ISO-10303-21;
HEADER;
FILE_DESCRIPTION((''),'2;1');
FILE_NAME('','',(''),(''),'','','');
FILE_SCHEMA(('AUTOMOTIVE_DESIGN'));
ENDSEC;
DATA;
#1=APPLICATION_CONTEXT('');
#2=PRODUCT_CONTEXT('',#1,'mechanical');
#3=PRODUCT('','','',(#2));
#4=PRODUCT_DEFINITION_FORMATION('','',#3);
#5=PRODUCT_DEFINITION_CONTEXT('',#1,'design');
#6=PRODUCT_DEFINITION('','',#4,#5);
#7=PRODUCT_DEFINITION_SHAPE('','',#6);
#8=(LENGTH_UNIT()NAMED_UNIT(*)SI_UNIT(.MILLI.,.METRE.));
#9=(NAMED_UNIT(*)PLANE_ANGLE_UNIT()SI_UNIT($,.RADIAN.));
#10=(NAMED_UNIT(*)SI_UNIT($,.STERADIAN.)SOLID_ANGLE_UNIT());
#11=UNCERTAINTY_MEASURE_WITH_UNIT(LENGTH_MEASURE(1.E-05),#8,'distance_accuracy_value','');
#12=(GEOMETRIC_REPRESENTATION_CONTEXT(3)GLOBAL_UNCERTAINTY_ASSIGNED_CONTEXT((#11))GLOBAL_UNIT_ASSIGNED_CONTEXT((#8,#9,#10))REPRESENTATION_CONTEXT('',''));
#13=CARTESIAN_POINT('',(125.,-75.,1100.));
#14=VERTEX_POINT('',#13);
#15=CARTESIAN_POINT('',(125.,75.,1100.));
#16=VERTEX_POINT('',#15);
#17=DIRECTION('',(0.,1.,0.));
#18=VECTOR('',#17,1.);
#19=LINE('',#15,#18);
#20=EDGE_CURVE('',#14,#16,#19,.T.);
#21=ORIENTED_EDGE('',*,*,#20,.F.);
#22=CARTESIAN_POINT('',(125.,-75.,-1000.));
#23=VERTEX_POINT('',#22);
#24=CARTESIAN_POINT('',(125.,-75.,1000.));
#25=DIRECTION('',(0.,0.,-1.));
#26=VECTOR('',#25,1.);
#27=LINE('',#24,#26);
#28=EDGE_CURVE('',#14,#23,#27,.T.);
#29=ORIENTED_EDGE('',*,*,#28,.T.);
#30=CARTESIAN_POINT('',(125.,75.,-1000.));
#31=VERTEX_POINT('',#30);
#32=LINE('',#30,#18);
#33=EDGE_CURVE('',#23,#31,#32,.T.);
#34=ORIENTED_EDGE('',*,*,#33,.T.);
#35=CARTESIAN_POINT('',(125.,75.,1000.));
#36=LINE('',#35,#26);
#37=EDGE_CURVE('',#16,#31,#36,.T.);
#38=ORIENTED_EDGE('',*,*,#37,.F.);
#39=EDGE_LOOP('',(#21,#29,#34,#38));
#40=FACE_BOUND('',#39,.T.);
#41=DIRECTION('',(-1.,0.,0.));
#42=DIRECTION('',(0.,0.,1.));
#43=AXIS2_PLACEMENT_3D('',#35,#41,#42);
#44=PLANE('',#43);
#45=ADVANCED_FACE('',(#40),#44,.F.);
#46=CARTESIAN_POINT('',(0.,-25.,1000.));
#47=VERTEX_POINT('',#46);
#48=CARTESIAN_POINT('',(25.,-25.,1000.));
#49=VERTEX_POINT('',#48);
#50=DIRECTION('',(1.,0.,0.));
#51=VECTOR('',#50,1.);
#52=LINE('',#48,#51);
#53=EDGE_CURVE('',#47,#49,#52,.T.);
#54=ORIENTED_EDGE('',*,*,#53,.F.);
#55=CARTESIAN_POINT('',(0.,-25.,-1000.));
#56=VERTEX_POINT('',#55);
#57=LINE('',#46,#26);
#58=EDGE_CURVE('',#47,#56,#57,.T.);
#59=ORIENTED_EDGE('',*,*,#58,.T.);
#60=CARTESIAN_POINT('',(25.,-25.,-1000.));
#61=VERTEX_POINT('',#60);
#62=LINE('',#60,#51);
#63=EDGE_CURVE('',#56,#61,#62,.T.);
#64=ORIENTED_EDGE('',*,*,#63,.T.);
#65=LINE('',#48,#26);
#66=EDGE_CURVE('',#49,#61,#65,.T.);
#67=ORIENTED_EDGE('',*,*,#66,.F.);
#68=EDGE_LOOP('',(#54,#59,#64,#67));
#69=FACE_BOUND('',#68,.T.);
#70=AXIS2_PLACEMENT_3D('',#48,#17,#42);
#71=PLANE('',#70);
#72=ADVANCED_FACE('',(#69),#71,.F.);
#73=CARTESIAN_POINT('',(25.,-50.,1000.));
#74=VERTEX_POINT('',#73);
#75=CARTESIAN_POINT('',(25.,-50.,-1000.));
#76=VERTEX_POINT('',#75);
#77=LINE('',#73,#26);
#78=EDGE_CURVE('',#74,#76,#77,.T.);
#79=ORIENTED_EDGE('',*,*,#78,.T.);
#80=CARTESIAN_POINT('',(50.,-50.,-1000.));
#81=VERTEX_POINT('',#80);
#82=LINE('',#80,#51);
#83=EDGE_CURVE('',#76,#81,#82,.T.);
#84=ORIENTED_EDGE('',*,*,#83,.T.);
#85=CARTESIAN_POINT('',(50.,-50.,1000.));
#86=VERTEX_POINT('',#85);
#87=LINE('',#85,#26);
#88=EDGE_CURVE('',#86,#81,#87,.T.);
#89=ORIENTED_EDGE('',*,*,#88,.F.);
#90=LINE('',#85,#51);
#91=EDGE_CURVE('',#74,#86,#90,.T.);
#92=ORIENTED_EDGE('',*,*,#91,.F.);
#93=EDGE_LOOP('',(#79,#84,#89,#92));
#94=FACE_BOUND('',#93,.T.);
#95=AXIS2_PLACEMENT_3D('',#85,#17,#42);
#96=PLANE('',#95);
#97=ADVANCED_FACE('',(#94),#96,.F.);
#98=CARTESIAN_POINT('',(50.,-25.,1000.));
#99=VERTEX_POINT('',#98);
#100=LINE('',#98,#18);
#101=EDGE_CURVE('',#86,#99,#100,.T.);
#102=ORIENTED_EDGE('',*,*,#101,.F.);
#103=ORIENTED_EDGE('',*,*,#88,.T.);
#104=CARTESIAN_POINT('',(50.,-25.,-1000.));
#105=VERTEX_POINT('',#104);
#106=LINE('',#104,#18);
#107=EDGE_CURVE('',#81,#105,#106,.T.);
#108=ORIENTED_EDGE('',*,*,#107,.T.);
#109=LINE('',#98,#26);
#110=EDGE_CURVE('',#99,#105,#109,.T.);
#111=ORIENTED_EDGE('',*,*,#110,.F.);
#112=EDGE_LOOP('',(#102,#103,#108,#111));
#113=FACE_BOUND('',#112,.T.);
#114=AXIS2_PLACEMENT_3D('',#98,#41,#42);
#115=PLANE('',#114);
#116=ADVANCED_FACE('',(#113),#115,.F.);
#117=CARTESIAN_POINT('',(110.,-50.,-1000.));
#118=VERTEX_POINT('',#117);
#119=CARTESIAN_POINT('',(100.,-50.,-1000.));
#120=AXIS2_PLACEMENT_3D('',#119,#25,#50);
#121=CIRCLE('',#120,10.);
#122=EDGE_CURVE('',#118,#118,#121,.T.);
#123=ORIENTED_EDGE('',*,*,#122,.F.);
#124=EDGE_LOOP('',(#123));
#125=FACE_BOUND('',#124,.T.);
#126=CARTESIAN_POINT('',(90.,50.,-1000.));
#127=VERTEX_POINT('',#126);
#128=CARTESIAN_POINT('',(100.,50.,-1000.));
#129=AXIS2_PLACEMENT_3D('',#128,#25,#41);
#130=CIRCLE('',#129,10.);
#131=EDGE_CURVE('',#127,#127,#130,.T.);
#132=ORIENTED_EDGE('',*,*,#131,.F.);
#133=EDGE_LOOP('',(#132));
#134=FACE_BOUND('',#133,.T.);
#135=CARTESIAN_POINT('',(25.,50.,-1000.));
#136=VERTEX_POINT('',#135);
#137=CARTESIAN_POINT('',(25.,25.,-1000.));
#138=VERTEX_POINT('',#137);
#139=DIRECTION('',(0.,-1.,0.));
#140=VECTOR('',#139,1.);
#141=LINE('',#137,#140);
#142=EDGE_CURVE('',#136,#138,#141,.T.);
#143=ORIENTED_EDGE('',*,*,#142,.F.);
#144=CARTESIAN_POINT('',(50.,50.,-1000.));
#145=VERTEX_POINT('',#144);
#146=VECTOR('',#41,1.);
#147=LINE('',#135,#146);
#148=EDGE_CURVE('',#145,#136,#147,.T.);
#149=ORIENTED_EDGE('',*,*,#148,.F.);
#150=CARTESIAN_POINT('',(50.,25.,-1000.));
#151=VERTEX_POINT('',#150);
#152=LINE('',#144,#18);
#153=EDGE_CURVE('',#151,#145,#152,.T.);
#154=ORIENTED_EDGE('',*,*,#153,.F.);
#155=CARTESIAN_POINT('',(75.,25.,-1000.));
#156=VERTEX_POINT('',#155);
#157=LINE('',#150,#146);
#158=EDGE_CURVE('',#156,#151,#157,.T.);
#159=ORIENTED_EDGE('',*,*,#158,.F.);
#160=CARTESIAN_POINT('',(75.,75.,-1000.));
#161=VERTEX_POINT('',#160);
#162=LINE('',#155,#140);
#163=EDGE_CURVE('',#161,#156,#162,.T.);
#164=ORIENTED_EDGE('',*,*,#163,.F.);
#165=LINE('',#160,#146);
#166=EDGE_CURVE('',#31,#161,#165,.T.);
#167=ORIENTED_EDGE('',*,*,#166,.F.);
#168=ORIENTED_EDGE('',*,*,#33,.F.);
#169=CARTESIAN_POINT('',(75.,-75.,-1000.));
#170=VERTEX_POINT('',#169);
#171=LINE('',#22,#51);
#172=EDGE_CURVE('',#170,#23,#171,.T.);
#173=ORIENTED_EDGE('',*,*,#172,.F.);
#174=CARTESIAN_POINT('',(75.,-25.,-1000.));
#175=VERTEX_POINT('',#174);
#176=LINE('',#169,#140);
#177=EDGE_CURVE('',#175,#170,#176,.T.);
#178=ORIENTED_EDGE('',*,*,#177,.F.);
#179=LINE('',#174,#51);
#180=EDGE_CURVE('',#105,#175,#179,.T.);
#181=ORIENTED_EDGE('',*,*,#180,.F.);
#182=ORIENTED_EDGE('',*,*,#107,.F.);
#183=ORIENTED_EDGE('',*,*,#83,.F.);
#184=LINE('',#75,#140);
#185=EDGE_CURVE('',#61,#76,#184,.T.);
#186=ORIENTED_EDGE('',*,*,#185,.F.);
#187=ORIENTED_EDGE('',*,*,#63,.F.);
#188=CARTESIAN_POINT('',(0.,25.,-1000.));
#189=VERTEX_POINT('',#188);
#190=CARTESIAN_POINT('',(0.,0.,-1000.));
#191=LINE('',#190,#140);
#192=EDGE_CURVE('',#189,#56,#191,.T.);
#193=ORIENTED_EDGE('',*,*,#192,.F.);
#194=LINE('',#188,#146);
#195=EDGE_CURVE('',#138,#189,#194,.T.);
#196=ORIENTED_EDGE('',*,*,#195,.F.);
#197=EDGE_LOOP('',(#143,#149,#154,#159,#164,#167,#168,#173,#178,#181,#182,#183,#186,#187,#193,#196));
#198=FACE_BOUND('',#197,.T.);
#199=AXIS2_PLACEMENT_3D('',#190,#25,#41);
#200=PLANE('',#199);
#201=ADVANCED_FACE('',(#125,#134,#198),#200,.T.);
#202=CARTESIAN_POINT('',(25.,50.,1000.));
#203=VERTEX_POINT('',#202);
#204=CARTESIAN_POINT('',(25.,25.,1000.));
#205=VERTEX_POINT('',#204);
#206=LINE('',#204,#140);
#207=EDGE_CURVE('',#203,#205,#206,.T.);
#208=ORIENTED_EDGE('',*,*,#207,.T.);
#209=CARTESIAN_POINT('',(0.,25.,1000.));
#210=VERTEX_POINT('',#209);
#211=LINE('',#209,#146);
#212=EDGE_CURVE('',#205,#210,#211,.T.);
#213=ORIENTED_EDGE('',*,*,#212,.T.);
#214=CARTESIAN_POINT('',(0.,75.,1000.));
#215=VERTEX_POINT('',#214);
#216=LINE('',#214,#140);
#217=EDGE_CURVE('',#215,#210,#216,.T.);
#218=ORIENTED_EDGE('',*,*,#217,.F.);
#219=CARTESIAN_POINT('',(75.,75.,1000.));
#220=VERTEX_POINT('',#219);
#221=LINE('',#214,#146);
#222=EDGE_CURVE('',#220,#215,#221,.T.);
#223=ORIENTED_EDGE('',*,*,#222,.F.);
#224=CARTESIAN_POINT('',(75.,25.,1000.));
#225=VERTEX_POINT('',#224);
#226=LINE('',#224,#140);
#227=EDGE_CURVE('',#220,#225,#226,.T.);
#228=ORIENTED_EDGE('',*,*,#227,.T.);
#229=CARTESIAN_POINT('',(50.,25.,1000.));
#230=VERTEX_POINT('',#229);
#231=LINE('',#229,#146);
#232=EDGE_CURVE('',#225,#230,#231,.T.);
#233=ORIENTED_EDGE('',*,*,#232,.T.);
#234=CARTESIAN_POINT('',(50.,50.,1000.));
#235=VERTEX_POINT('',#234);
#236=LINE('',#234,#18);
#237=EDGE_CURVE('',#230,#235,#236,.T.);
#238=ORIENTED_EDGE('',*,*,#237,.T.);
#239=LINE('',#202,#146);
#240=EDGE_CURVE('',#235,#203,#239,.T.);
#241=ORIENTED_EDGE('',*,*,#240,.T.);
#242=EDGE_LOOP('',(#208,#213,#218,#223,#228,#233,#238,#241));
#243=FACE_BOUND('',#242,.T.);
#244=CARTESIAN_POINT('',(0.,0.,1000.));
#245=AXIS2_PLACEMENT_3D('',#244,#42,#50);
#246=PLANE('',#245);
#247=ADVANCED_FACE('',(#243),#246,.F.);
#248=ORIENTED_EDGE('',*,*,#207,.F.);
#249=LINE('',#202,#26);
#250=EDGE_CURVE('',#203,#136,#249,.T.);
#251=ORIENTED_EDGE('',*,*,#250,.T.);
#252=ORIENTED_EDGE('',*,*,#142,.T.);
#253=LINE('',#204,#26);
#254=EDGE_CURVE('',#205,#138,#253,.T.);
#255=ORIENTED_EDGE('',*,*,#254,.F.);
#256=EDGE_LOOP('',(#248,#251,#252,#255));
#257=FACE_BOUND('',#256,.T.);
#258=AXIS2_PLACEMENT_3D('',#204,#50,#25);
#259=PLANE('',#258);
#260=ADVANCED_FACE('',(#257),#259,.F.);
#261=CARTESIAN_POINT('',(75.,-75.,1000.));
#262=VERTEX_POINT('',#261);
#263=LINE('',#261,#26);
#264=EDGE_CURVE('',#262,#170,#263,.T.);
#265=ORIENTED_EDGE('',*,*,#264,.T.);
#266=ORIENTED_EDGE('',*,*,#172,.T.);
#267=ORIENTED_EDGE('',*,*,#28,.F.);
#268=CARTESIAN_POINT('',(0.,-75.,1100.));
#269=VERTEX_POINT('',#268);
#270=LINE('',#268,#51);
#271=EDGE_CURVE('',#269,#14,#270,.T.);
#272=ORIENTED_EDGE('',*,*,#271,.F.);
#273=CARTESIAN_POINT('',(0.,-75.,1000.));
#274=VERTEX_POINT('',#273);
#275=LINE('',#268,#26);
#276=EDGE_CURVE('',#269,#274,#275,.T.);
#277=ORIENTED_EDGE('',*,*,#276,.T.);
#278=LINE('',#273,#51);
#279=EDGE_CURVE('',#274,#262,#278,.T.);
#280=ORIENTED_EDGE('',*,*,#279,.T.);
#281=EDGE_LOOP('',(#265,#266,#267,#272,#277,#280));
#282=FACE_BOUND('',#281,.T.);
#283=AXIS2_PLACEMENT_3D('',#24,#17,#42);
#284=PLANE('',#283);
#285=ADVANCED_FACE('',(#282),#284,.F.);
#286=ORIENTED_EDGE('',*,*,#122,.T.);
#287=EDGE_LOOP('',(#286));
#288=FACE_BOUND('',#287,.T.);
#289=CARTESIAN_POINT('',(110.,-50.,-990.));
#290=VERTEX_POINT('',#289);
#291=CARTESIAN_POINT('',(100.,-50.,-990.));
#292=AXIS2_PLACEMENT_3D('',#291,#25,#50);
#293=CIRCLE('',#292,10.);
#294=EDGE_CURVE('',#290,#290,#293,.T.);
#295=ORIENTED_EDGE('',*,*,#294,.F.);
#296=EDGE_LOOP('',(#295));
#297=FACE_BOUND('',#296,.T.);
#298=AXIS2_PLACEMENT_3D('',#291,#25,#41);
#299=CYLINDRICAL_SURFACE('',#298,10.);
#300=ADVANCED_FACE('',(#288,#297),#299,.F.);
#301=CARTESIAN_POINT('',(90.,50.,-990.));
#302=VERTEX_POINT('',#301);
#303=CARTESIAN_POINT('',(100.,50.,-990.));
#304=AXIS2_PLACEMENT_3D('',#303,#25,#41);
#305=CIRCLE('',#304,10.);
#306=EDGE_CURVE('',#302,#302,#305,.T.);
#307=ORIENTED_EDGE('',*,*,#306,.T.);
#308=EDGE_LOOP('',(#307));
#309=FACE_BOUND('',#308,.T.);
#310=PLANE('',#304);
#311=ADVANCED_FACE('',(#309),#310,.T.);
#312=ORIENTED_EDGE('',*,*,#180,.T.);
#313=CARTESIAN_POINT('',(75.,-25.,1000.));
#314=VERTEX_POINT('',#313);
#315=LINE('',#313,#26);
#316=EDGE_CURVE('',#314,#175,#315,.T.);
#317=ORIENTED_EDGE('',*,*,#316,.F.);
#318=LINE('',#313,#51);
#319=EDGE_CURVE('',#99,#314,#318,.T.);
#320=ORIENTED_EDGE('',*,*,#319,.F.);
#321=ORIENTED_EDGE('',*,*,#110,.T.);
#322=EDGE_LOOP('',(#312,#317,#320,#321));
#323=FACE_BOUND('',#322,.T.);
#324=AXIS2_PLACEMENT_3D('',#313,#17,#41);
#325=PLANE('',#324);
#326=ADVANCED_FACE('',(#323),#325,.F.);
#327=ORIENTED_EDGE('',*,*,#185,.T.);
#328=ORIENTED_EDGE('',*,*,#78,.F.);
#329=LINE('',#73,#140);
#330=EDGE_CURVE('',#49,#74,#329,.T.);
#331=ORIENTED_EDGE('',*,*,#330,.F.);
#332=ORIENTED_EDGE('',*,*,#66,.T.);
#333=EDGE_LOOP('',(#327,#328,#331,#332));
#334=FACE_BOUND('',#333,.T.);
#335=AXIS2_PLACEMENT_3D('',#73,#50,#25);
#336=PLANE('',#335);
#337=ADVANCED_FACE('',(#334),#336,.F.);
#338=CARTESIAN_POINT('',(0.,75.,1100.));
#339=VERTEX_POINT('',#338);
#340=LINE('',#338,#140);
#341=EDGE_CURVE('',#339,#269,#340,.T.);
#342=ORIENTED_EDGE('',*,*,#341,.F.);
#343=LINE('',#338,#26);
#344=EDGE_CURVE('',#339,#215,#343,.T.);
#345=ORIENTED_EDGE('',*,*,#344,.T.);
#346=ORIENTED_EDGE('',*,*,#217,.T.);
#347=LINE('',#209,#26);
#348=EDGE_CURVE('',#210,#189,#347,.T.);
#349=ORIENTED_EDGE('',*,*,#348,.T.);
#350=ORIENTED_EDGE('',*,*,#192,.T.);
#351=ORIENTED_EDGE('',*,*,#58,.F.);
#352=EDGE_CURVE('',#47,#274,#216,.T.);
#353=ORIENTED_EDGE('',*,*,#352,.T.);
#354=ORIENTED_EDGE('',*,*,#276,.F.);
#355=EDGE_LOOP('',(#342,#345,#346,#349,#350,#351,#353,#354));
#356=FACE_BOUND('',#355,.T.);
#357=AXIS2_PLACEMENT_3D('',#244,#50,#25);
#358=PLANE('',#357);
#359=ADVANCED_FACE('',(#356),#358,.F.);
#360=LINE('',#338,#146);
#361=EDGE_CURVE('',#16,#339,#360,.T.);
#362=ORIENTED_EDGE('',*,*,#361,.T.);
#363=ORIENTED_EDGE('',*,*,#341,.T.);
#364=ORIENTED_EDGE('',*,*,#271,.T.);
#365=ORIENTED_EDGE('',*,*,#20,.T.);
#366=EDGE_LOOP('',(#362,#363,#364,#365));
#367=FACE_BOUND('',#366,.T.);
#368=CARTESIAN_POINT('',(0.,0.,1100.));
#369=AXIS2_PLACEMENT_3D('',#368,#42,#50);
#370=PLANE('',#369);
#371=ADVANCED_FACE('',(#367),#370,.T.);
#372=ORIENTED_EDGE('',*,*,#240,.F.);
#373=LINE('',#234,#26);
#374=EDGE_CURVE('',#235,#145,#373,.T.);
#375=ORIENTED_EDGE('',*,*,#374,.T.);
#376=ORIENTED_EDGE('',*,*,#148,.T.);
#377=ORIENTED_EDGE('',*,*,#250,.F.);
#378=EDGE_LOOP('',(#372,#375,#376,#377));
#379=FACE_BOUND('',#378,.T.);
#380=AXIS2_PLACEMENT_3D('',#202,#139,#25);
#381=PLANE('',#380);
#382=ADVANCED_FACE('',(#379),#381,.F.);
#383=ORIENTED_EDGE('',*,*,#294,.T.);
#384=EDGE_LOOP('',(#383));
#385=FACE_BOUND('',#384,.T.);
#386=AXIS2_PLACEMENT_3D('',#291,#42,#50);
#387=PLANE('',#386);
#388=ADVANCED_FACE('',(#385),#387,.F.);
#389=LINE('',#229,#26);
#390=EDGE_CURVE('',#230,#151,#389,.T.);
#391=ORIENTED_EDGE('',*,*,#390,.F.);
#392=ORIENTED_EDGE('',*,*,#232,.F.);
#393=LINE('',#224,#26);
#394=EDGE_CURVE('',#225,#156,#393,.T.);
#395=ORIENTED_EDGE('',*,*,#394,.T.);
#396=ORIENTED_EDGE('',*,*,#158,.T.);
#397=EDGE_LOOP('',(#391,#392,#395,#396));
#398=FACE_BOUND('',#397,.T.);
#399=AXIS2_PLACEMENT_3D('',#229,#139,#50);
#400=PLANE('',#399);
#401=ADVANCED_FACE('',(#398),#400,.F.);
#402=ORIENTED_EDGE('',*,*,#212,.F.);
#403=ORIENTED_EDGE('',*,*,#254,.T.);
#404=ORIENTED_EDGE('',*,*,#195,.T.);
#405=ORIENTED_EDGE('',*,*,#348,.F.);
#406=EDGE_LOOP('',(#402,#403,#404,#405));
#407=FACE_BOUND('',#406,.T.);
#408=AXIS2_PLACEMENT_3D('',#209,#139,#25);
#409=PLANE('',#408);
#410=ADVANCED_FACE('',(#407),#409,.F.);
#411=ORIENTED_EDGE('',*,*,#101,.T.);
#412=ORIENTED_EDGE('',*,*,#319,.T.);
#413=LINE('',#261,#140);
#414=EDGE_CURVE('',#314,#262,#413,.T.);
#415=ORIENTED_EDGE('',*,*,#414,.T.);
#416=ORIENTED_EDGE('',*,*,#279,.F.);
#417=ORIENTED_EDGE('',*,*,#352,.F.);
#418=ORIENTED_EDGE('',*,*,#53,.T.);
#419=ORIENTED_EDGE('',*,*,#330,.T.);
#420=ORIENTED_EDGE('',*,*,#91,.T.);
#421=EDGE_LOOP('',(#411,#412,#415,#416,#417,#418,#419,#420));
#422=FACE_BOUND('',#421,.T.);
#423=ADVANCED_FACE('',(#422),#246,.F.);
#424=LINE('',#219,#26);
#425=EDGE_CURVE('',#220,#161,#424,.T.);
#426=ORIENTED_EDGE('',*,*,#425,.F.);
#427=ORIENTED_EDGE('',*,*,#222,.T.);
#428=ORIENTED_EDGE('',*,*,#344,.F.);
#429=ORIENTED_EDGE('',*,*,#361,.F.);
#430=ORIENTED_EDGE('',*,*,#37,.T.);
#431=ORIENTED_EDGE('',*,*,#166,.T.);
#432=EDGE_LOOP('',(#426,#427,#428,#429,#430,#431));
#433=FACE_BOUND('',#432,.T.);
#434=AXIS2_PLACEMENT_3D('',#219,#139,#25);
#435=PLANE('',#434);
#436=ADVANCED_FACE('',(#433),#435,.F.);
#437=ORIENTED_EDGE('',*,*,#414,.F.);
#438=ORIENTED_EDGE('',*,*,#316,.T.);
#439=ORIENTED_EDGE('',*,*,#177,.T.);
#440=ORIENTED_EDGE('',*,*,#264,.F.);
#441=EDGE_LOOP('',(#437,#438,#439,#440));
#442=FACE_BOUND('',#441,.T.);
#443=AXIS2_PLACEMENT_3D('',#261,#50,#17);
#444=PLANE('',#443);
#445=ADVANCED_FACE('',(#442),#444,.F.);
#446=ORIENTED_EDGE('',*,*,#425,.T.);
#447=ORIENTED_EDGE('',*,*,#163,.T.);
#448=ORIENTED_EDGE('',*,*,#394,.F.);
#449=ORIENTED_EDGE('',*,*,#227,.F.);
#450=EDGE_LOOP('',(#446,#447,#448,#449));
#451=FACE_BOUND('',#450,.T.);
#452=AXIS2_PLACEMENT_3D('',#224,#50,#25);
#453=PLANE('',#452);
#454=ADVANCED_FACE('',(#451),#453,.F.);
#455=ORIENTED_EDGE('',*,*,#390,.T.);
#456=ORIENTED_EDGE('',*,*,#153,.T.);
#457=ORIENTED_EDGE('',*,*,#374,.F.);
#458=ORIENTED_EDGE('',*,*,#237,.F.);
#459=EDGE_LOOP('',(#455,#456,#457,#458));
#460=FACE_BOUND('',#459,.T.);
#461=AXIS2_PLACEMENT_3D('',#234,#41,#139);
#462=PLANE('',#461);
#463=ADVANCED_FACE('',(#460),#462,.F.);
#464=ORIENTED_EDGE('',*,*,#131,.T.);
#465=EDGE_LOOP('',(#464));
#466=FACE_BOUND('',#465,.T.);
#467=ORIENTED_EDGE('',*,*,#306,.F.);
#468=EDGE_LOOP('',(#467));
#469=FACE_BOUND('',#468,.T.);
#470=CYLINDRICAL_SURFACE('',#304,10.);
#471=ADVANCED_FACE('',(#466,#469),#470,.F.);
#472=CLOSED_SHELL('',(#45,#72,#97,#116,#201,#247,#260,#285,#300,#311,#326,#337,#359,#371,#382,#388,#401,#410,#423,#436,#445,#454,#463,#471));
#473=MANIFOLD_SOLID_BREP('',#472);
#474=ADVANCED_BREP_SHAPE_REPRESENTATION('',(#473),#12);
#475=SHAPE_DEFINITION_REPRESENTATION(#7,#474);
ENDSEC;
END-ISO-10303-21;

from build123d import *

# Parameters (mm, degrees)
BOSS_EXTRUDE1_DEPTH = 1000
SKETCH2_W           = 125
SKETCH2_H           = 150
BOSS_EXTRUDE2_DEPTH = 100
SKETCH3_R           = 10
CUT_EXTRUDE1_DEPTH  = 10


with BuildPart() as part:
    # Sketch1 → Boss-Extrude1 (new, symmetric)
    with BuildSketch(Plane.XY):
        Polygon((0, 0), (0, 25), (25, 25), (25, 50), (50, 50), (50, 25), (75, 25), (75, 75), (125, 75), (125, -75), (75, -75), (75, -25), (50, -25), (50, -50), (25, -50), (25, -25), (0, -25), align=None)
    extrude(amount=BOSS_EXTRUDE1_DEPTH, both=True)

    # Sketch2 → Boss-Extrude2 (add)
    with BuildSketch(Plane.XY.offset(1000)):
        with Locations((62.5, 0)):
            Rectangle(SKETCH2_W, SKETCH2_H)
    extrude(amount=BOSS_EXTRUDE2_DEPTH)

    # Sketch3 → Cut-Extrude1 (cut)
    with BuildSketch(Plane(origin=(0, 0, -1000), x_dir=(-1, 0, 0), z_dir=(0, 0, -1))):
        with Locations((-100, 50)):
            Circle(SKETCH3_R)
        with Locations((-100, -50)):
            Circle(SKETCH3_R)
    extrude(amount=-CUT_EXTRUDE1_DEPTH, mode=Mode.SUBTRACT)


solid = part.part
